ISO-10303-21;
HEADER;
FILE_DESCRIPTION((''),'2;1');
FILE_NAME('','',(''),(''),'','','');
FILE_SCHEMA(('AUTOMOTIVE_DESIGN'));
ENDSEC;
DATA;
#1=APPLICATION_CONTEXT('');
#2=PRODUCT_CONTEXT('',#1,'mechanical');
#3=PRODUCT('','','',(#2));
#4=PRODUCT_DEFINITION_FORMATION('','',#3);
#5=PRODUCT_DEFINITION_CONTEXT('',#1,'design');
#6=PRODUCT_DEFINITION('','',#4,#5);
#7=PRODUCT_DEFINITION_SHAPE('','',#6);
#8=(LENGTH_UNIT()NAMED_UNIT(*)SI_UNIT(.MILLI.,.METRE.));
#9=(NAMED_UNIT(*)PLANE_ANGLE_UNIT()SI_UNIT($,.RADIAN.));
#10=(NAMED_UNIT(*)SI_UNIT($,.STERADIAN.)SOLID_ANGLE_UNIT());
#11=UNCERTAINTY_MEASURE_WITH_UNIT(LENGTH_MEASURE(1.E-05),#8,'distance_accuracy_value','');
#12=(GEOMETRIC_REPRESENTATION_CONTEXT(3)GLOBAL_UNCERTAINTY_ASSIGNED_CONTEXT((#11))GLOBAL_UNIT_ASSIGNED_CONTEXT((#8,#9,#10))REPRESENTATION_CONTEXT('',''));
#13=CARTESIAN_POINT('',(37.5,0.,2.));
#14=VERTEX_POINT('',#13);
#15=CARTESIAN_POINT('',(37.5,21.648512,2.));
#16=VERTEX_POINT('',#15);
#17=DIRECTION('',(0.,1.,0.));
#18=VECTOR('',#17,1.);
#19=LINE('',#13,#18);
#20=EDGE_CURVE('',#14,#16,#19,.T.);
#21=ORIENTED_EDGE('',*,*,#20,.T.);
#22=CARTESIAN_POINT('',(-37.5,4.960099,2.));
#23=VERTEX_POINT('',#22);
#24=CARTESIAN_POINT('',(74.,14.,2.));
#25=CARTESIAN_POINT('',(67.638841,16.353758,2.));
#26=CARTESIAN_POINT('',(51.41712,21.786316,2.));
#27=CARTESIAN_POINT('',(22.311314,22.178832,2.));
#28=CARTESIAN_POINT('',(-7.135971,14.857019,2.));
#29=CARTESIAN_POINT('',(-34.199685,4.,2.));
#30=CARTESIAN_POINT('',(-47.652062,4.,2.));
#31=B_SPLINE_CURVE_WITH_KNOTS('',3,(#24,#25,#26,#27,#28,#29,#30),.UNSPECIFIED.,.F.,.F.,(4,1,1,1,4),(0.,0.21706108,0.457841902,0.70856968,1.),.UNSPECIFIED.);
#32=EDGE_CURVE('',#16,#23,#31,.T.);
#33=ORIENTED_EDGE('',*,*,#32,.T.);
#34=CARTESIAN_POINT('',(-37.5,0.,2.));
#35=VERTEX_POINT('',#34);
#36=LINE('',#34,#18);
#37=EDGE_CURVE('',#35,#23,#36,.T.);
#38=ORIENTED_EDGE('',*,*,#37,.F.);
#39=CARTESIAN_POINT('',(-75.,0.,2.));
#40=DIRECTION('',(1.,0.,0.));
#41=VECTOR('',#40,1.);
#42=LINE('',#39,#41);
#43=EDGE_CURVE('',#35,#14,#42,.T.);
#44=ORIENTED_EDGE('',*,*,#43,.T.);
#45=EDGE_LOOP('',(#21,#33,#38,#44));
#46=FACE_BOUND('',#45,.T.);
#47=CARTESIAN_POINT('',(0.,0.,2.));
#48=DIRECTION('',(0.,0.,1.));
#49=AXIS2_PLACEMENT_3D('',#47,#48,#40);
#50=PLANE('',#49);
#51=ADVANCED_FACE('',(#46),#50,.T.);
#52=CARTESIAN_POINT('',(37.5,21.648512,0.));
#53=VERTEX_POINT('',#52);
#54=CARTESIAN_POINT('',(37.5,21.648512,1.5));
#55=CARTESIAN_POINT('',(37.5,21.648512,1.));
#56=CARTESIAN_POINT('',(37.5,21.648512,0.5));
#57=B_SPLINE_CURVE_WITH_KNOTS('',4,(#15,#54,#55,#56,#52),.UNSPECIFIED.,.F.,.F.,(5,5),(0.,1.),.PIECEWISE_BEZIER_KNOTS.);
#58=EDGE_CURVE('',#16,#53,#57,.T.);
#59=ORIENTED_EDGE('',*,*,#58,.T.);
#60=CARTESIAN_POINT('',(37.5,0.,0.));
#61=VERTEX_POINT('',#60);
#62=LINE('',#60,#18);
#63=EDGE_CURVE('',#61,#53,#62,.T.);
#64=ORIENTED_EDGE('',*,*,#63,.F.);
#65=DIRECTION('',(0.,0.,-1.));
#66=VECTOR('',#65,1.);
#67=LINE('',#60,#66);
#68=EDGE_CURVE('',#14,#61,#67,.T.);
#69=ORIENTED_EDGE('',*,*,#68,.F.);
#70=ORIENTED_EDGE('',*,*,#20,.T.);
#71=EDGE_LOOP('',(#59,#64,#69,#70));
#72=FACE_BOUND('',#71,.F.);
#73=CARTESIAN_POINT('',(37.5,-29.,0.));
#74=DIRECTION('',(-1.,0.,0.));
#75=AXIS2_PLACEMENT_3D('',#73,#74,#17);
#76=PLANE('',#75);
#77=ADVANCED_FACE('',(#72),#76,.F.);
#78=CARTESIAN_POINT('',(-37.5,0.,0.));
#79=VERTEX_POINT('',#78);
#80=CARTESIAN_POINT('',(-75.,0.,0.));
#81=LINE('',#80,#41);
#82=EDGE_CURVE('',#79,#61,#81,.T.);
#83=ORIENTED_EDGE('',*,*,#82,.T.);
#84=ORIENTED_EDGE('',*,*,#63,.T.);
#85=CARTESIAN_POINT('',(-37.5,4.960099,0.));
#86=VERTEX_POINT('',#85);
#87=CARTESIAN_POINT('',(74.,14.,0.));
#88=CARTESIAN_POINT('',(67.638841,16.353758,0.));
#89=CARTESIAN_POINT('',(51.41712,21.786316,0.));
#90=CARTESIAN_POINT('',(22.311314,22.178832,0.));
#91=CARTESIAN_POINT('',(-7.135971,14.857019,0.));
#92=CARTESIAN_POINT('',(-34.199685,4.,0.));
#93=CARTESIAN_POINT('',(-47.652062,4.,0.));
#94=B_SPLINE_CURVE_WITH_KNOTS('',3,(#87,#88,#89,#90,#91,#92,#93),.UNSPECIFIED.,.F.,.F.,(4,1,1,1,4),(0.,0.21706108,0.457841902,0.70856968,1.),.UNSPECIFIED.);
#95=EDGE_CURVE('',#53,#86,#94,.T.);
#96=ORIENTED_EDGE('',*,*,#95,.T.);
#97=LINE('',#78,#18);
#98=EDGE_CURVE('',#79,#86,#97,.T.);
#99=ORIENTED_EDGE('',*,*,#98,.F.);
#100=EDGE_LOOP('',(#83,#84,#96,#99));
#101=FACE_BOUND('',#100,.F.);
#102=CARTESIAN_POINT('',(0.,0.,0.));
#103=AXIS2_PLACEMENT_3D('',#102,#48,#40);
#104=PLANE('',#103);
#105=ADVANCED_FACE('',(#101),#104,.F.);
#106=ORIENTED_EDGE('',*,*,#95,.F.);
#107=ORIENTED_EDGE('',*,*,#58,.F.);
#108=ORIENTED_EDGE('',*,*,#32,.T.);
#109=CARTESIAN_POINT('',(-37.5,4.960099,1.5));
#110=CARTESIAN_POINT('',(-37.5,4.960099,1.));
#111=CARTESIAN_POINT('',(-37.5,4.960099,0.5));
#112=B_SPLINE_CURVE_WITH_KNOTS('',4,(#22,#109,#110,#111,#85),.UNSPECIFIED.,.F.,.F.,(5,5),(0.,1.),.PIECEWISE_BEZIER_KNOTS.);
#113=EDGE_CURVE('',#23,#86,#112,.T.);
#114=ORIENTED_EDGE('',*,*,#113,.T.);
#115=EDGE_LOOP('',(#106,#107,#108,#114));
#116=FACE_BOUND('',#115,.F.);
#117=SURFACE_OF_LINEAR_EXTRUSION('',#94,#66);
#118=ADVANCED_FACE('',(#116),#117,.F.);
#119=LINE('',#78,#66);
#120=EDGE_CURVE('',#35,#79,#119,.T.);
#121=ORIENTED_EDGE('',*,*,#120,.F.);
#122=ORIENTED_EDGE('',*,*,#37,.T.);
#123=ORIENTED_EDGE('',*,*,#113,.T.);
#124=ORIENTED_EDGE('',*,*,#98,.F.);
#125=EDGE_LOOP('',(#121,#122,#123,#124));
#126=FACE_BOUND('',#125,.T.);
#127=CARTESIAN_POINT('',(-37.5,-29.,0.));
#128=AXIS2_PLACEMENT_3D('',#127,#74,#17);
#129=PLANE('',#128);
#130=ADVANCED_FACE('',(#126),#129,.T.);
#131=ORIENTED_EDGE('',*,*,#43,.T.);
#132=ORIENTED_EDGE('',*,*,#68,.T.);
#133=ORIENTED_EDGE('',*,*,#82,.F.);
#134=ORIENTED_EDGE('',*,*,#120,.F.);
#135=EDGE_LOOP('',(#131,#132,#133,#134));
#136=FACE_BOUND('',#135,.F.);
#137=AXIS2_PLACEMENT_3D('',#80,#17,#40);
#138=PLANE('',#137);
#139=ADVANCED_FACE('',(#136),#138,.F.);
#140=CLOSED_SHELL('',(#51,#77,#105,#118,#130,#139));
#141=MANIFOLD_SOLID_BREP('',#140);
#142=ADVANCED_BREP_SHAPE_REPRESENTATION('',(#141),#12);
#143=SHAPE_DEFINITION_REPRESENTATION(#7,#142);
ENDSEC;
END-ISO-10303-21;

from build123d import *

# Parameters (mm, degrees)
F0_W     = 75
F0_H     = 58
F1_DEPTH = 2
F3_DEPTH = 2


with BuildPart() as f1:
    # F0 (on Top) → F1 (new body)
    with BuildSketch(Plane.XY):
        Rectangle(F0_W, F0_H)
    extrude(amount=F1_DEPTH)

    # F2 (on Top) → F3 (intersect)
    with BuildSketch(Plane.XY):
        with BuildLine():
            Line((-75, 4), (-75, 0))
            Line((-75, 0), (74, 0))
            Line((74, 0), (74, 14))
            add(Edge.make_bspline(
                [(74, 14), (67.6388412304, 16.3537582533), (51.4171196847, 21.7863158371), (22.3113142588, 22.1788320607), (-7.1359706329, 14.8570185355), (-34.1996854131, 4), (-47.6520620286, 4)],
                knots=[0, 0, 0, 0, 0.21706108, 0.457841902, 0.7085696798, 1, 1, 1, 1], degree=3))
            Line((-47.6520620286, 4), (-75, 4))
        make_face()
    extrude(amount=F3_DEPTH, mode=Mode.INTERSECT)


solid = f1.part
